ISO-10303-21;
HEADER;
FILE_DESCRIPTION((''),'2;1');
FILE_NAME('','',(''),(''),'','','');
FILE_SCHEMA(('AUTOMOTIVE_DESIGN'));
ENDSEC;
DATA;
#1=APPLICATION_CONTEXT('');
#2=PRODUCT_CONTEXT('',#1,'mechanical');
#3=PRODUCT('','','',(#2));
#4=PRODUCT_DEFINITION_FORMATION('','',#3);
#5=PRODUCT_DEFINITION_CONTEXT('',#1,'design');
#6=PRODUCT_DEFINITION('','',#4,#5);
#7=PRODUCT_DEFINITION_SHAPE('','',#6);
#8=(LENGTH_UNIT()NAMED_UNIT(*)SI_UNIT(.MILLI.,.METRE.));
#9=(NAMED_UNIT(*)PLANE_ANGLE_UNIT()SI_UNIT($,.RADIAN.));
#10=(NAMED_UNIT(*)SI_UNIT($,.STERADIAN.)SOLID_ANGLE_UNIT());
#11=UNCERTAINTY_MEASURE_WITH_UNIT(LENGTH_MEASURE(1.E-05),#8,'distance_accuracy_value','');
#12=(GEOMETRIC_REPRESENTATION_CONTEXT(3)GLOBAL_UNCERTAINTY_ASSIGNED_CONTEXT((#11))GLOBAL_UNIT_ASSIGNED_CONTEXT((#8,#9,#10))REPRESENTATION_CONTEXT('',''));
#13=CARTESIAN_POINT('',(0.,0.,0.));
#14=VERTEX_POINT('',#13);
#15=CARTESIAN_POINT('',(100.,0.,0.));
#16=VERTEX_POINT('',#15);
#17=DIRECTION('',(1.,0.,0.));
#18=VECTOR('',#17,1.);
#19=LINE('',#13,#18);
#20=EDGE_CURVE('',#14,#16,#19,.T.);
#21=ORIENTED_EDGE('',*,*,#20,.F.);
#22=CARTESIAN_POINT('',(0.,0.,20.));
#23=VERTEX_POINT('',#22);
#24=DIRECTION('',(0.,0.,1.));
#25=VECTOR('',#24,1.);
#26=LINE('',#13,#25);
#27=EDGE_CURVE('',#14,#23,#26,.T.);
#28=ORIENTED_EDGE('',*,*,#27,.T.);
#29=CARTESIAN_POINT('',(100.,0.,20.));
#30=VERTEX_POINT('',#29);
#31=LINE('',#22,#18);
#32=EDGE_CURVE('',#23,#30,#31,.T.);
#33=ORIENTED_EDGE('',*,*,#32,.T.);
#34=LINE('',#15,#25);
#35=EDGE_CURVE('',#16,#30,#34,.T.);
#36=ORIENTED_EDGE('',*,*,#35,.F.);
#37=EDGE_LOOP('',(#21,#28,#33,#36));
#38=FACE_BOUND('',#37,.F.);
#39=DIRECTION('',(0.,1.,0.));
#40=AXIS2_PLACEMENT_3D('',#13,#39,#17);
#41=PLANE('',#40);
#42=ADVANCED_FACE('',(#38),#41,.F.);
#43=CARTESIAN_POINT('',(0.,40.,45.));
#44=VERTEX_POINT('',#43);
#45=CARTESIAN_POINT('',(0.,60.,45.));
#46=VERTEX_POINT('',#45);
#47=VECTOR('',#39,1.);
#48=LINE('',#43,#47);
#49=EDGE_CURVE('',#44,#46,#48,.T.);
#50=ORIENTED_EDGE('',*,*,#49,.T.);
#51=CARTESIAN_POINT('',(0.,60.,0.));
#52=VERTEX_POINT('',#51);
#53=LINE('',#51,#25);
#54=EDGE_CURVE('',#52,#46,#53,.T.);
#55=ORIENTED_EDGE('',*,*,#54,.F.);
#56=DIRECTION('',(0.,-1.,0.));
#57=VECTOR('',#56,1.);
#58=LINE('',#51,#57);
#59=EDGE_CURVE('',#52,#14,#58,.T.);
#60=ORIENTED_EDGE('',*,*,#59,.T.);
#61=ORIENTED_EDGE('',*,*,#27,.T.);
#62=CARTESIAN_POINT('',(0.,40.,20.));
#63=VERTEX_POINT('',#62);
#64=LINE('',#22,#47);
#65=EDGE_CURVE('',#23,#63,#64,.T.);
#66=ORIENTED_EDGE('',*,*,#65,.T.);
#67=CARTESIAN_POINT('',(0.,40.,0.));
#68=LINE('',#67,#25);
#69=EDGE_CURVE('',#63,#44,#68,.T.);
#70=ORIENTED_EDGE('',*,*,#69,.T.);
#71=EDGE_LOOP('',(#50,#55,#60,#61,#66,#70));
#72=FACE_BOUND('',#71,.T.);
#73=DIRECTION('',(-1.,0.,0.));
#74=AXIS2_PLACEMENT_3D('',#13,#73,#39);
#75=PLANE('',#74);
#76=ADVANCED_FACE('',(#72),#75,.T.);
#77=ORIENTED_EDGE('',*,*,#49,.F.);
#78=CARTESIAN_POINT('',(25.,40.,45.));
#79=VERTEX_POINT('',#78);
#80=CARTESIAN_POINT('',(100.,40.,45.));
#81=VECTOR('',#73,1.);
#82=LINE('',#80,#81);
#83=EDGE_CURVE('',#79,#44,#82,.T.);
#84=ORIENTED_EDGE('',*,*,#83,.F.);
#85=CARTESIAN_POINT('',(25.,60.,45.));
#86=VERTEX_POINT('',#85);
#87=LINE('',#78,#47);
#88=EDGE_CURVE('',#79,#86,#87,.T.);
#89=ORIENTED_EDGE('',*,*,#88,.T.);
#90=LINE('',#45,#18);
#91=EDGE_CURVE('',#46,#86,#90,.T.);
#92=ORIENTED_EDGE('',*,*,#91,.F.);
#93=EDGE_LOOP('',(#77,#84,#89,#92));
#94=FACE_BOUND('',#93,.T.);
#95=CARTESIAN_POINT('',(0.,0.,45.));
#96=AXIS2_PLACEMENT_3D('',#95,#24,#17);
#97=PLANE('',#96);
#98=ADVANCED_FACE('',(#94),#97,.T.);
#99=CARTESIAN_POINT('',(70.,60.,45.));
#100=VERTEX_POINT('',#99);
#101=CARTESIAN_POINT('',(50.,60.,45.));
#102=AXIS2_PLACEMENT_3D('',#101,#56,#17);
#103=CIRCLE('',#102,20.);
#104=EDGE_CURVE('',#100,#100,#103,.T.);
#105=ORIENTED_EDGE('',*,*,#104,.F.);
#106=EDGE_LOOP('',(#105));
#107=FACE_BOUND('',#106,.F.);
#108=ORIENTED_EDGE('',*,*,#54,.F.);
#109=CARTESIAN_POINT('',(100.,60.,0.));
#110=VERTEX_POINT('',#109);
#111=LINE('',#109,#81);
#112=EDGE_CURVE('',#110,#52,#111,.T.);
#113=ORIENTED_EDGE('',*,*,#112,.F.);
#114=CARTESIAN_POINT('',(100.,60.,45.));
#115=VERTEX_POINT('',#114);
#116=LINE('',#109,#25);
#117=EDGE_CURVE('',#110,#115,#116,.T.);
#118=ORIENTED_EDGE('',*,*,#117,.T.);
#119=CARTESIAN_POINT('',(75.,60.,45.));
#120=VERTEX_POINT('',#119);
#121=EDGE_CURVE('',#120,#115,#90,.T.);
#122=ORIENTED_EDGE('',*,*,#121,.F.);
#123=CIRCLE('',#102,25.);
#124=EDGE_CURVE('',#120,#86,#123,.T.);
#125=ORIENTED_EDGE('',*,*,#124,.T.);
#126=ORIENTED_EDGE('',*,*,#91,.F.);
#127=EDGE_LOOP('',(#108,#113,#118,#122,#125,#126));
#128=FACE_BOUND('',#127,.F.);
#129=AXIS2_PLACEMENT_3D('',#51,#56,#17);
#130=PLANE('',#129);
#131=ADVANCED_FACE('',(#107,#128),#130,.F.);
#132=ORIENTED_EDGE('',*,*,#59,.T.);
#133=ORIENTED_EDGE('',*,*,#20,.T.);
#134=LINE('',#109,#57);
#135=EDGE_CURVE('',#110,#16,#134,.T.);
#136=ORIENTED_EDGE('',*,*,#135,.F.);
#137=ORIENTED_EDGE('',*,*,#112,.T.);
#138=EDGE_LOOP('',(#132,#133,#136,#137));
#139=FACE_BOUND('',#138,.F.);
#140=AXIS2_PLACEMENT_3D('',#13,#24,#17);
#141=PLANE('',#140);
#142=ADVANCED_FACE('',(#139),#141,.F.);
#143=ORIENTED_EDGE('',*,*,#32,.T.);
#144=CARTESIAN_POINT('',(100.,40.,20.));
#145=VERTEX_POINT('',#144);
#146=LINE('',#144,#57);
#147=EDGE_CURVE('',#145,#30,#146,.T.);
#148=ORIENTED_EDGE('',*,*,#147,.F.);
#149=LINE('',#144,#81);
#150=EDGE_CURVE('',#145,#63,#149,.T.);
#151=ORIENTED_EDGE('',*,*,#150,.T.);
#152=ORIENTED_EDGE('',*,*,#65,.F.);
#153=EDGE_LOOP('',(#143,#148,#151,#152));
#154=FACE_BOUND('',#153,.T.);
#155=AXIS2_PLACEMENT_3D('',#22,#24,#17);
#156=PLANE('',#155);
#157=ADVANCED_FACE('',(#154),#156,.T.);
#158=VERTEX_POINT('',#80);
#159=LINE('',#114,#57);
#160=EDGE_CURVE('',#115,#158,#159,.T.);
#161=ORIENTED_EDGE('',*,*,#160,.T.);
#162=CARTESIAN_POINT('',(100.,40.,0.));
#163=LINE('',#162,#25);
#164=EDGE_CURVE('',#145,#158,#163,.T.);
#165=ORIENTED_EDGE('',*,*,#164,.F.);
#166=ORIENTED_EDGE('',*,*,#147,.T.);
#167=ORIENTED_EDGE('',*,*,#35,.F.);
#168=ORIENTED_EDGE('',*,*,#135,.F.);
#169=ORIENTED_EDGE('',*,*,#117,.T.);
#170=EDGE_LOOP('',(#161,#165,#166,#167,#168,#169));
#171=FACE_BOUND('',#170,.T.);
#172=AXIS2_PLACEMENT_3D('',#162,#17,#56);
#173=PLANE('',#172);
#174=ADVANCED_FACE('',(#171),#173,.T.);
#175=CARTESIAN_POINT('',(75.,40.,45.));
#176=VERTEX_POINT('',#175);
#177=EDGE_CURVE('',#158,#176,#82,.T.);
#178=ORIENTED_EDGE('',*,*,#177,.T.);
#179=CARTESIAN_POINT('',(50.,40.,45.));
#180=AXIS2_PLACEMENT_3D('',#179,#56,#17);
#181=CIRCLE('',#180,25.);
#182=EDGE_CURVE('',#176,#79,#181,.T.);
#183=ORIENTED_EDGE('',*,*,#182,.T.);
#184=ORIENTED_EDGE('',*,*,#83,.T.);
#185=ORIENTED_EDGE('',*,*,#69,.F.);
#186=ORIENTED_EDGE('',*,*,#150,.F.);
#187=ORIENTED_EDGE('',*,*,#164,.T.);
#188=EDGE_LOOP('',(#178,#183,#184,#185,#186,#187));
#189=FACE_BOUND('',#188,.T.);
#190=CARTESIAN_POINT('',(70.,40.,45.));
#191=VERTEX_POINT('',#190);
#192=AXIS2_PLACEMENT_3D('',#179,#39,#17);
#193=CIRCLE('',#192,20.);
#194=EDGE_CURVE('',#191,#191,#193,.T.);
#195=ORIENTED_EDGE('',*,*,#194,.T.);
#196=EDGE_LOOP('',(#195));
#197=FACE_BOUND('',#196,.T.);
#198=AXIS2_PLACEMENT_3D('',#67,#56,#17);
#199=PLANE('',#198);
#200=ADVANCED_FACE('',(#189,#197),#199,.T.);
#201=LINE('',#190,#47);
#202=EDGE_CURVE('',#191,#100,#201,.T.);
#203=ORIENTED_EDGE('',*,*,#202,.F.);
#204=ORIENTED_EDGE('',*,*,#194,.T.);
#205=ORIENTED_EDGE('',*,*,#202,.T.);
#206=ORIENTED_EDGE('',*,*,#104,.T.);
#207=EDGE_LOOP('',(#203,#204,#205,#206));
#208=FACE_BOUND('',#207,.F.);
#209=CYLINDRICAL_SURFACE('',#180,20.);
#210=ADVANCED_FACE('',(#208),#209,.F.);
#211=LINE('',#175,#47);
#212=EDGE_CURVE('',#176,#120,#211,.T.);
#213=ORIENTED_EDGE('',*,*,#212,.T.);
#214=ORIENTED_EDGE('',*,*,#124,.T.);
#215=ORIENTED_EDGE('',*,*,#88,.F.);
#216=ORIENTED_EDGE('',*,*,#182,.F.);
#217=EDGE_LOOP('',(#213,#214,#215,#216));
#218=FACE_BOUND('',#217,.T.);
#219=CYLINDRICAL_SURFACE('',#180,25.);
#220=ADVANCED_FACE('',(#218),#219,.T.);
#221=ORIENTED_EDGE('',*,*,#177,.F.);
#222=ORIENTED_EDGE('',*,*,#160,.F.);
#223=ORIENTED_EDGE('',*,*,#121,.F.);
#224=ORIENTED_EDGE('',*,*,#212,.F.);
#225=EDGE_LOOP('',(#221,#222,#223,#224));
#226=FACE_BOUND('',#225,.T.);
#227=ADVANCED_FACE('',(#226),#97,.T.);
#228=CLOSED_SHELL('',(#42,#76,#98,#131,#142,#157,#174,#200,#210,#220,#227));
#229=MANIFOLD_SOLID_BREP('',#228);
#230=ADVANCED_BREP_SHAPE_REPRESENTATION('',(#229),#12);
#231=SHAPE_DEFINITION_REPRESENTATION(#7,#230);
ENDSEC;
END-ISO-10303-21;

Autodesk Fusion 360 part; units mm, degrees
sketch "Sketch1" plane through (0, 0, 0) normal (0, 0, 1) x (1, 0, 0)
  line L0 (0, 0) -> (0, 40)
  line L1 (0, 40) -> (0, 60)
  line L2 (0, 60) -> (25, 60)
  line L3 (25, 60) -> (75, 60)
  line L4 (75, 60) -> (100, 60)
  line L5 (100, 60) -> (100, 40)
  line L6 (100, 40) -> (0, 40)
  line L7 (100, 40) -> (100, 0)
  line L8 (25, 60) -> (25, 40)
  line L9 (75, 60) -> (75, 40)
  line L10 (0, 0) -> (100, 0)
  dimension "d1" = 40
  dimension "d2" = 20
  dimension "d3" = 25
  dimension "d4" = 50
  dimension "d5" = 25
  dimension "d6" = 20
  dimension "d7" = 100
  dimension "d8" = 60
extrude "Extrude1" add sketch "Sketch1" along normal blind 20 contours L0 L6 L7 L10
extrude "Extrude2" add sketch "Sketch1" along normal blind 45 contours L1 L2 L6 L8 | L3 L6 L8 L9 | L4 L5 L6 L9
sketch "Sketch2" plane through (0, 40, 0) normal (0, -1, 0) x (1, 0, 0)
  line L0 (0, 20) -> (100, 20)
  line L1 (100, 20) -> (100, 45)
  line L2 (100, 45) -> (0, 45)
  line L3 (0, 45) -> (0, 20)
  circle A0 centre (50, 45) radius 20
  circle A1 centre (50, 45) radius 25
  dimension "d13" = 40
  dimension "d14" = 50
extrude "Extrude4" cut sketch "Sketch2" against normal blind 105 contours L2 A0 picked at (49.5018, 38.352)
extrude "Extrude3" add sketch "Sketch2" against normal blind 20 contours L2 A0 A1 picked at (26.7597, 46.242)
sketch "Sketch3" plane through (0, 40, 0) normal (0, -1, 0) x (1, 0, 0)
  line L0 (25, 45) -> (0, 45)
  line L1 (0, 45) -> (0, 20)
  line L2 (0, 20) -> (100, 20)
  line L3 (100, 20) -> (100, 45)
  line L4 (100, 45) -> (75, 45)
  arc A0 (75, 45) -> (25, 45) centre (50, 45) ccw
  circle A1 centre (50, 45) radius 20
  point P0 (100, 20)
  point P1 (100, 0)
  dimension "d17" = 100
  dimension "d18" = 20
  dimension "d19" = 50
sketch "Sketch4" plane through (100, 0, 0) normal (1, 0, 0) x (0, 1, 0)
  line L0 (0, 0) -> (60, 0)
  line L1 (60, 0) -> (60, 45)
  line L2 (60, 45) -> (40, 45)
  line L3 (40, 45) -> (40, 20)
  line L4 (40, 20) -> (0, 20)
  line L5 (0, 20) -> (0, 0)
  curve L6
  point P0 (60, 0)
  dimension "d20" = 45
  dimension "d21" = 60
